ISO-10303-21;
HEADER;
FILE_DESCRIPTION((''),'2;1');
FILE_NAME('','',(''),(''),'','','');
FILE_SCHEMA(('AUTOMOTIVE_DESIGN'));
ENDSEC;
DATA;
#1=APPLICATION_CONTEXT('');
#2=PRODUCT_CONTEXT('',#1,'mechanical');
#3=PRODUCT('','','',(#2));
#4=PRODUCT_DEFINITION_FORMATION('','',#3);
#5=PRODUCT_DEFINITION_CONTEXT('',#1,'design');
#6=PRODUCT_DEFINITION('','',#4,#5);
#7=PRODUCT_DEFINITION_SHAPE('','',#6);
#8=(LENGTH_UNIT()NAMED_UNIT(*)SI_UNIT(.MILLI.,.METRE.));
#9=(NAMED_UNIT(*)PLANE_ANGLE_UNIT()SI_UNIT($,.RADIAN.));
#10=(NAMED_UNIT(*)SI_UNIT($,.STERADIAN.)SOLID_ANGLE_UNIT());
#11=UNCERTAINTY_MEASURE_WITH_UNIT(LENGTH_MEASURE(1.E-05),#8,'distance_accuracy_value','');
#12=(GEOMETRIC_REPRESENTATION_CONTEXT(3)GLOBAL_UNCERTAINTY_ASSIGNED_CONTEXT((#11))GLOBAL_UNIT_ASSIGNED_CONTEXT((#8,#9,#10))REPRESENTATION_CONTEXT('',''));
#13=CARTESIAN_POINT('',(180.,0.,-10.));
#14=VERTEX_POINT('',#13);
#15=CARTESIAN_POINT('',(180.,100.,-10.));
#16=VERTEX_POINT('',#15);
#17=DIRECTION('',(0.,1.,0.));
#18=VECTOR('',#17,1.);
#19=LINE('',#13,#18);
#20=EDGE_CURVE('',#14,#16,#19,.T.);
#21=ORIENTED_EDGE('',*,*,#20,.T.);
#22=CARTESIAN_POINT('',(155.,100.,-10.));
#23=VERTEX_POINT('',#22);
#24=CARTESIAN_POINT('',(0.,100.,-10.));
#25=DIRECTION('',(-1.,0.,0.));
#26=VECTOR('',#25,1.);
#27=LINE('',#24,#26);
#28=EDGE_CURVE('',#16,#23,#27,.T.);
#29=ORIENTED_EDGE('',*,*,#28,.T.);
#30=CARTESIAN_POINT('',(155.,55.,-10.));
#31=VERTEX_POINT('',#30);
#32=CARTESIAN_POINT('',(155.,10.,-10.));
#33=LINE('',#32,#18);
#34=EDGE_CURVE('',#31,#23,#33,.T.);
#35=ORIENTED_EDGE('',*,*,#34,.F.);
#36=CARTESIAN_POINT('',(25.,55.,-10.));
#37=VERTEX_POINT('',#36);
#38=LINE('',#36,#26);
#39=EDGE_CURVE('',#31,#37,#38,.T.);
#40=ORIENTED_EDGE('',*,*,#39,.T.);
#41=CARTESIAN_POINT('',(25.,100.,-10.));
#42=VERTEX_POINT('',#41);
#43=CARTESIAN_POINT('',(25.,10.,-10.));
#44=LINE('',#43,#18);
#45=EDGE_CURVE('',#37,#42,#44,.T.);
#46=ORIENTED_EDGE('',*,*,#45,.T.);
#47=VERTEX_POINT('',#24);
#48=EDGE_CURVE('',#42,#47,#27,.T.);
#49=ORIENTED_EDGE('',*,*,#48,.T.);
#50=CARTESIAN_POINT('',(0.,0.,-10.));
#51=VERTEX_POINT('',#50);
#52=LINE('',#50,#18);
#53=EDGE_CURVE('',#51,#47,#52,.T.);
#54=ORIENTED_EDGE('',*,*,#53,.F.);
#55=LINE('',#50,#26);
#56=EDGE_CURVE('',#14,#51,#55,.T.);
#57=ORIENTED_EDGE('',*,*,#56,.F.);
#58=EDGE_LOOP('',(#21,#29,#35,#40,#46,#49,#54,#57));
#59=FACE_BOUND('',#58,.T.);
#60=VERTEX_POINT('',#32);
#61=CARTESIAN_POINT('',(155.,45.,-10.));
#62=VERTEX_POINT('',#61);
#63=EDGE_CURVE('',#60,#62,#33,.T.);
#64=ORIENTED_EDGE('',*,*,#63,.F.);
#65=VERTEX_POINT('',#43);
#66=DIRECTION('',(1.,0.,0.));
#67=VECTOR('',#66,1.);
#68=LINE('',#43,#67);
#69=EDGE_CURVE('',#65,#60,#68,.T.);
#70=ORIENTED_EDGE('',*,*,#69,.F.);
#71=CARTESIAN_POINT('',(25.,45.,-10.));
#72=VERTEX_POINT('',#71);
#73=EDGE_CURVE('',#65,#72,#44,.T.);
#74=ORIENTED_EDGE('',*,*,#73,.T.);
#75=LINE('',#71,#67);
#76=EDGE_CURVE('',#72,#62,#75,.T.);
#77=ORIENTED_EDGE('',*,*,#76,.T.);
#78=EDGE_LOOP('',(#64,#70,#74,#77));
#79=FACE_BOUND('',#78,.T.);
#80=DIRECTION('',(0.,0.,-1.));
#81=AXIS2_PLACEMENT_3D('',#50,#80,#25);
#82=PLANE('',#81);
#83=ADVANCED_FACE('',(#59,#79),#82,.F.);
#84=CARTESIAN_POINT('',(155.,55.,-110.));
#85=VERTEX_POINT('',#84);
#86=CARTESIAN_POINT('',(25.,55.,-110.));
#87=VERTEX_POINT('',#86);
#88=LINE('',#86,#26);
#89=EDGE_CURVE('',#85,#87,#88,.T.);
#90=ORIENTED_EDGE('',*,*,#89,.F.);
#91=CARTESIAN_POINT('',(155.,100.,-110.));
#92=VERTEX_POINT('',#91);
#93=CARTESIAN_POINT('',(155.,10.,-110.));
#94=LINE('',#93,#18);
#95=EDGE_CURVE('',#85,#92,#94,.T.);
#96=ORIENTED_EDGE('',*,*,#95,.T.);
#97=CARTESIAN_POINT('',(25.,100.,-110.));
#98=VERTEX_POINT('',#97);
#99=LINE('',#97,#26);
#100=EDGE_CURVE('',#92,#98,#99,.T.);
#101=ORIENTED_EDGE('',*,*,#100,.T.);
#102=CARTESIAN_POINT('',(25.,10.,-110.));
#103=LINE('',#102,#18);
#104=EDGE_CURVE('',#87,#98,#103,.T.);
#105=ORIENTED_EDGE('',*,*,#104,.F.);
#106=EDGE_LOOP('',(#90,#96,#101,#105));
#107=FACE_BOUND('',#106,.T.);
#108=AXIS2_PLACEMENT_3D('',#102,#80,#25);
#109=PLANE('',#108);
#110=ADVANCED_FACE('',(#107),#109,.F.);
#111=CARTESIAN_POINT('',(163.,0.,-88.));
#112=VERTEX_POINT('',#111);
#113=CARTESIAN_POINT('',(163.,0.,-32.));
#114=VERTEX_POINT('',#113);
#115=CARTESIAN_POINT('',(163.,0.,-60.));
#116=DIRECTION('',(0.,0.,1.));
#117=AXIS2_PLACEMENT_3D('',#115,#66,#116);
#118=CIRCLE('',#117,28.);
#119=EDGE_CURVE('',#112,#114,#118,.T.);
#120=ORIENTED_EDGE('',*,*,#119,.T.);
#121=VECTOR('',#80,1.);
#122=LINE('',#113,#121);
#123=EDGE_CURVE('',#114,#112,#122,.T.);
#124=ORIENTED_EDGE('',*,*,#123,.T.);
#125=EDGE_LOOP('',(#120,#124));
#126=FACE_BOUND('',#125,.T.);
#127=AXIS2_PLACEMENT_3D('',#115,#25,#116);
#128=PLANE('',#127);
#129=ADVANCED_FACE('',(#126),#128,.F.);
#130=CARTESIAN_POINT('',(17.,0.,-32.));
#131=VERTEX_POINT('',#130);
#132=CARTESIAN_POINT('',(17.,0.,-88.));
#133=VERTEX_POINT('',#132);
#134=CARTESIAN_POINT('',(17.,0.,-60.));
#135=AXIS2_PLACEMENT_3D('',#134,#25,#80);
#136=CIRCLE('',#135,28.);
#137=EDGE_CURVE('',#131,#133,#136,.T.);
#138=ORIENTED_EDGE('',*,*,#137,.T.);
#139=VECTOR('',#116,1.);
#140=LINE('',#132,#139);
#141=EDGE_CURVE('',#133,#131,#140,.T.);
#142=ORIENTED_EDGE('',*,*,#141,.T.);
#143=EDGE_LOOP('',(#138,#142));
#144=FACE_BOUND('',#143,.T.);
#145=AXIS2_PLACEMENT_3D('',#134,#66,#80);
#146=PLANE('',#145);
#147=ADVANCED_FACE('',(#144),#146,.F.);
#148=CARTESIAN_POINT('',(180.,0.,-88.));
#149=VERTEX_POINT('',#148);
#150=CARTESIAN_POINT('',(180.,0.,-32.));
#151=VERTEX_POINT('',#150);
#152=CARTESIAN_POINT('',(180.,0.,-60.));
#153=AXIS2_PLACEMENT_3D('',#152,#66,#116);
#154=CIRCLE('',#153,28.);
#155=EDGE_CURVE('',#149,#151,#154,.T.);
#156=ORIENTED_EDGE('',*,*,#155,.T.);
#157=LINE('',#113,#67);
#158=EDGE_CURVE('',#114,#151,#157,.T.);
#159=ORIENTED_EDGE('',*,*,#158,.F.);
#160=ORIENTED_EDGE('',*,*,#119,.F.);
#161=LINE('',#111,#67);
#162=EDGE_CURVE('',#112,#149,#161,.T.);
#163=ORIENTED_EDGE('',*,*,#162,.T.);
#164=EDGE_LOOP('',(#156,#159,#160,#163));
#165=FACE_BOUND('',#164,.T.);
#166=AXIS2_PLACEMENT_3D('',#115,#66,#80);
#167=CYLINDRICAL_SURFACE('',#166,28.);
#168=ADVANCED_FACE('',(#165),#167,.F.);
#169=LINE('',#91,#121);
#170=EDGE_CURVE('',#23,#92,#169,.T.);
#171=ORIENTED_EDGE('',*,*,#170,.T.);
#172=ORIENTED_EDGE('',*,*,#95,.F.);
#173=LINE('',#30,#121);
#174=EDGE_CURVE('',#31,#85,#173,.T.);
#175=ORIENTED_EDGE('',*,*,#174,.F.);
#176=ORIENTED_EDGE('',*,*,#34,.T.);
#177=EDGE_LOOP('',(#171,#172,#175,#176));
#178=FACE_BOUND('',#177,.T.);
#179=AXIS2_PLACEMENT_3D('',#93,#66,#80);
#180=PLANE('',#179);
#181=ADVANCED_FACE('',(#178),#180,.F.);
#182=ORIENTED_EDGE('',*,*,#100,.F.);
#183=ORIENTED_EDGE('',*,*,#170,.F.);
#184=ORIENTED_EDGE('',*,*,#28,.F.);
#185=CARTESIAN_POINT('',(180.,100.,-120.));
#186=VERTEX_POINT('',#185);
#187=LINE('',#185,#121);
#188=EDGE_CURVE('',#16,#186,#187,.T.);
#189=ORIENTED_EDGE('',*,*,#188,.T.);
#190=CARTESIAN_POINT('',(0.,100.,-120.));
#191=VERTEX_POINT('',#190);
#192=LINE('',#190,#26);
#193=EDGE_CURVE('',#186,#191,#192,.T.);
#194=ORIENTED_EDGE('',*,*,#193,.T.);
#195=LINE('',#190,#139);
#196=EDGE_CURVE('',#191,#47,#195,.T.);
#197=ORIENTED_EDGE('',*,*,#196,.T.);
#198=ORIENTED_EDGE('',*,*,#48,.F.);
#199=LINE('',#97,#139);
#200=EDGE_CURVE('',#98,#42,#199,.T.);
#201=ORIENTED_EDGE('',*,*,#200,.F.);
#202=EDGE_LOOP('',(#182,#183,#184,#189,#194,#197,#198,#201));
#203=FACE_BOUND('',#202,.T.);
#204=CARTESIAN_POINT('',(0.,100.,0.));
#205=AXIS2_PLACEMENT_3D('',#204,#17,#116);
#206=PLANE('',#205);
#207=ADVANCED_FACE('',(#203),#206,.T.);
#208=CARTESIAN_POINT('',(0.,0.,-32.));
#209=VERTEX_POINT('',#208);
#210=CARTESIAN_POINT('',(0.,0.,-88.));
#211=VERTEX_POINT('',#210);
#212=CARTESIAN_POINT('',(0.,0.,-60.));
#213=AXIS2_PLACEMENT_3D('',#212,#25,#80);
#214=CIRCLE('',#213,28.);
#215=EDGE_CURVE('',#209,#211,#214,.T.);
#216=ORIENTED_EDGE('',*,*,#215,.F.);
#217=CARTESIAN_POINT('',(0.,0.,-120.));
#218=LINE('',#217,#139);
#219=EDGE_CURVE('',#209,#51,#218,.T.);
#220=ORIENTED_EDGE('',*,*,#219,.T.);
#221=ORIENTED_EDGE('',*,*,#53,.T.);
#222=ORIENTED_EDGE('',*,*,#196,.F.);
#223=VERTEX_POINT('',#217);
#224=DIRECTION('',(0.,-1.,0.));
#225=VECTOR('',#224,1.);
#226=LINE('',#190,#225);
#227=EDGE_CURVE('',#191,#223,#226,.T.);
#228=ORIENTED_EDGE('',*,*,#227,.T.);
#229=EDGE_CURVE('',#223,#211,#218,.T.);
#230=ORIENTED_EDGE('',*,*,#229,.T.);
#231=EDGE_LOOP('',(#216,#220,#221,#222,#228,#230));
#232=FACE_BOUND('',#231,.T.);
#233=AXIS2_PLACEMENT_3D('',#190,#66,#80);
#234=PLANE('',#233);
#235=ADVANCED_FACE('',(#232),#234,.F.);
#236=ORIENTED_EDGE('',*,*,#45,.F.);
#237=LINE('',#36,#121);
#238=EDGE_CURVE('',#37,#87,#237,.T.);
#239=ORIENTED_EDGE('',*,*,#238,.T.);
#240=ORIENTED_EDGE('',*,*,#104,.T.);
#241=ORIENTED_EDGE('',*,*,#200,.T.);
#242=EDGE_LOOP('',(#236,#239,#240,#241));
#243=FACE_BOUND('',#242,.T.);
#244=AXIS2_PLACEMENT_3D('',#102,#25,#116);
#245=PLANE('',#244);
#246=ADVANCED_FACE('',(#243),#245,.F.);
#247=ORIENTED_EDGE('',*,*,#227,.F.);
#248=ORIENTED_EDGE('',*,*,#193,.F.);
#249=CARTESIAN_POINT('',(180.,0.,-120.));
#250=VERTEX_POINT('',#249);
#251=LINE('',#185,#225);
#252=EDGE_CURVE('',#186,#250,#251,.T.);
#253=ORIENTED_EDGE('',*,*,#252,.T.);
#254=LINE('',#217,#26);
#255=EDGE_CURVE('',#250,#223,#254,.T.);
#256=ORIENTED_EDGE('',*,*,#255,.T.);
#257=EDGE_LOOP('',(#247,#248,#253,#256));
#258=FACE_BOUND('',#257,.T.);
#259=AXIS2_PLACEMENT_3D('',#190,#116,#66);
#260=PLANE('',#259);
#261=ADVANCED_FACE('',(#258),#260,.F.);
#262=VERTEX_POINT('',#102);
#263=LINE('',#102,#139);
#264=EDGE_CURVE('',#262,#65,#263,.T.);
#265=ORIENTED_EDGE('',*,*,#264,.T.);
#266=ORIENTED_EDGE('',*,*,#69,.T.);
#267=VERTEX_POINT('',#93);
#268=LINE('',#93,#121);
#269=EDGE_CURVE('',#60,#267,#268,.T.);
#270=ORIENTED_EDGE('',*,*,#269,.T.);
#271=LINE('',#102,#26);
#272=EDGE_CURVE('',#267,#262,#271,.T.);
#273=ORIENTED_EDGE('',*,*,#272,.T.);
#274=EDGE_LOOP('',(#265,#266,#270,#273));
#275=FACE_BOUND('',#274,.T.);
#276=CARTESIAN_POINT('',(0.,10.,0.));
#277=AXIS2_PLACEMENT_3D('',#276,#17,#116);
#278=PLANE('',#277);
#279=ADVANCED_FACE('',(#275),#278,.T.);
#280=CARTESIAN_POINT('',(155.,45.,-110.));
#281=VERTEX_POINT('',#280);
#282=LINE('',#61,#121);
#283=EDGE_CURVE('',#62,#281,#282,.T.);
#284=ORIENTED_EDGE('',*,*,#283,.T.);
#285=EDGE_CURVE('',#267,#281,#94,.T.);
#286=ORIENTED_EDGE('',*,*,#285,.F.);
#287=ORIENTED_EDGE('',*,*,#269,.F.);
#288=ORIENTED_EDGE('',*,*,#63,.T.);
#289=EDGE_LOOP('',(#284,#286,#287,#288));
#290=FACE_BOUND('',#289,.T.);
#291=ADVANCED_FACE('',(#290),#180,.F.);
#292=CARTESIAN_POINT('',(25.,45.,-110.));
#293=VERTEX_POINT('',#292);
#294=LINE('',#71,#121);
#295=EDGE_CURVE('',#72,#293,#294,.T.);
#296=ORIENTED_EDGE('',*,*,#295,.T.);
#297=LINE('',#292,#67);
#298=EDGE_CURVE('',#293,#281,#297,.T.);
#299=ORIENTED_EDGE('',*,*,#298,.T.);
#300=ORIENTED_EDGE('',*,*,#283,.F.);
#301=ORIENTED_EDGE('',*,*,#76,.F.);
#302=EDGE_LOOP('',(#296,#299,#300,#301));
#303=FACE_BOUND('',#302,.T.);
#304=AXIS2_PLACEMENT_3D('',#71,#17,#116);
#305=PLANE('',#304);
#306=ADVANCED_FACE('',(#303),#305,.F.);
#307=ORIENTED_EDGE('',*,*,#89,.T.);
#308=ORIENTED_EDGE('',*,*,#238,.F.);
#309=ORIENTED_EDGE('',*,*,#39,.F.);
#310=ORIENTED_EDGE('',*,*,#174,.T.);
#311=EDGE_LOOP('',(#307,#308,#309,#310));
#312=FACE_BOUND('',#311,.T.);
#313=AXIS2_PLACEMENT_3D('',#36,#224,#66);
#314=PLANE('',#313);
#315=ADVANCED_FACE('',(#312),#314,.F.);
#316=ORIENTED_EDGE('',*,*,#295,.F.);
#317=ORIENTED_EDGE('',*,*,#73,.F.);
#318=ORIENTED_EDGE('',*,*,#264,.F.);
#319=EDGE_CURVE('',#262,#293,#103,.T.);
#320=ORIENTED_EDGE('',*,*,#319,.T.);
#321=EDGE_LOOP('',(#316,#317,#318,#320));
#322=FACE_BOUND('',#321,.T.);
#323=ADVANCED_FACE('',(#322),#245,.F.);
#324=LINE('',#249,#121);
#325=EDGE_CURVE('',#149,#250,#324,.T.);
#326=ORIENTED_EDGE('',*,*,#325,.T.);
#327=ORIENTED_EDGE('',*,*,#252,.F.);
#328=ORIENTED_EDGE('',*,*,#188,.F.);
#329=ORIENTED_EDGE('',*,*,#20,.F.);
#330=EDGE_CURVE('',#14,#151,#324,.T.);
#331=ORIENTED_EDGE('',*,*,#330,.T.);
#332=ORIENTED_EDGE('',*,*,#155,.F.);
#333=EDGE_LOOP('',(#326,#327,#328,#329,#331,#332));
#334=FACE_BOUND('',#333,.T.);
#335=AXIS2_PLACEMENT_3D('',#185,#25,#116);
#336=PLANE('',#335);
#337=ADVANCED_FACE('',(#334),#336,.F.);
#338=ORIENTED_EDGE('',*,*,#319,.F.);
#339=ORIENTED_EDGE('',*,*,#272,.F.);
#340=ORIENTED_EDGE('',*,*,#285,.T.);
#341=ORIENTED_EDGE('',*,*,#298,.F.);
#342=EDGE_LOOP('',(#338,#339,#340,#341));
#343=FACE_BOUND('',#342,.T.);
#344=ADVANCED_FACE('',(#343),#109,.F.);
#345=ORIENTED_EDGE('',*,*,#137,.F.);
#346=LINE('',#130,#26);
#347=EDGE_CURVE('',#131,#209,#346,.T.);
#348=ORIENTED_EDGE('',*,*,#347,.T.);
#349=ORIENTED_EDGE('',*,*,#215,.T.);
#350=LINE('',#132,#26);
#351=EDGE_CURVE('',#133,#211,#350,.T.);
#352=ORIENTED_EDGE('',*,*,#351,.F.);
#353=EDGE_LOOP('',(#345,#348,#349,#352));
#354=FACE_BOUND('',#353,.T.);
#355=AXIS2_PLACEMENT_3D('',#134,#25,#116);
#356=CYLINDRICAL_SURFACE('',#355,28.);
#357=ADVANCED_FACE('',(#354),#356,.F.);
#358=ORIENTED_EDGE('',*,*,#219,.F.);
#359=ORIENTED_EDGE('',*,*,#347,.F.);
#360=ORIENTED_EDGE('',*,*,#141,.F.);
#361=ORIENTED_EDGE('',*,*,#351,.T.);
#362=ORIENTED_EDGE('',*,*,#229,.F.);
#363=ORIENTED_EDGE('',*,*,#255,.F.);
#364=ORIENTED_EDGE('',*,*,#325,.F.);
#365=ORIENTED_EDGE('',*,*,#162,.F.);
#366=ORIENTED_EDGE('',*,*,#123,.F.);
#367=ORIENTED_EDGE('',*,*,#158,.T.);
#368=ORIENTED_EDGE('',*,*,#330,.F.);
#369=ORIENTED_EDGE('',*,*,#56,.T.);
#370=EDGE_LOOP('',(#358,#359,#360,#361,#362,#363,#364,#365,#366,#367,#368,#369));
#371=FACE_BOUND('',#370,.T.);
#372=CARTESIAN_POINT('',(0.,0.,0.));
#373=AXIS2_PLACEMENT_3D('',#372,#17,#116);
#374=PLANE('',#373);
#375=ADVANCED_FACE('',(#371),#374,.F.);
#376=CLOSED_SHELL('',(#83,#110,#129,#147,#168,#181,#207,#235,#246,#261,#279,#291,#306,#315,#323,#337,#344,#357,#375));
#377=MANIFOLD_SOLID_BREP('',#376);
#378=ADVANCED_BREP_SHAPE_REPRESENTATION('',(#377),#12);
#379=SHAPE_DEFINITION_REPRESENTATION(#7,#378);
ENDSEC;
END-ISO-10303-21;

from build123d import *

# Parameters (mm, degrees)
SKETCH1_W           = 180
SKETCH1_H           = 120
BOSS_EXTRUDE1_DEPTH = 100
SKETCH2_W           = 130
SKETCH2_H           = 100
CUT_EXTRUDE1_DEPTH  = 90
CUT_EXTRUDE2_DEPTH  = 17
CUT_EXTRUDE3_DEPTH  = 17
CUT_EXTRUDE4_START  = -100
SKETCH6_W           = 180
SKETCH6_H           = 10
CUT_EXTRUDE4_DEPTH  = 100
SKETCH7_W           = 130
SKETCH7_H           = 10
BOSS_EXTRUDE2_DEPTH = 100


with BuildPart() as part:
    # Sketch1 → Boss-Extrude1 (new body)
    with BuildSketch(Plane(origin=(0, 0, 0), x_dir=(1, 0, 0), z_dir=(0, 1, 0))):
        with Locations((90, 60)):
            Rectangle(SKETCH1_W, SKETCH1_H)
    extrude(amount=BOSS_EXTRUDE1_DEPTH)

    # Sketch2 → Cut-Extrude1 (cut)
    with BuildSketch(Plane(origin=(0, 100, 0), x_dir=(1, 0, 0), z_dir=(0, 1, 0))):
        with Locations((90, 60)):
            Rectangle(SKETCH2_W, SKETCH2_H)
    extrude(amount=-CUT_EXTRUDE1_DEPTH, mode=Mode.SUBTRACT)

    # Sketch3 → Cut-Extrude2 (cut)
    with BuildSketch(Plane(origin=(180, 0, 0), x_dir=(0, 0, -1), z_dir=(1, 0, 0))):
        with BuildLine():
            Line((32, 0), (88, 0))
            ThreePointArc((88, 0), (60, 28), (32, 0))
        make_face()
    extrude(amount=-CUT_EXTRUDE2_DEPTH, mode=Mode.SUBTRACT)

    # Sketch5 → Cut-Extrude3 (cut)
    with BuildSketch(Plane.ZY):
        with BuildLine():
            Line((-88, 0), (-32, 0))
            ThreePointArc((-32, 0), (-60, 28), (-88, 0))
        make_face()
    extrude(amount=-CUT_EXTRUDE3_DEPTH, mode=Mode.SUBTRACT)

    # Sketch6 → Cut-Extrude4 (cut)
    with BuildSketch(Plane(origin=(0, 100, 0), x_dir=(1, 0, 0), z_dir=(0, 1, 0)).offset(CUT_EXTRUDE4_START)):
        with Locations((90, 5)):
            Rectangle(SKETCH6_W, SKETCH6_H)
    extrude(amount=CUT_EXTRUDE4_DEPTH, mode=Mode.SUBTRACT)

    # Sketch7 → Boss-Extrude2 (add)
    with BuildSketch(Plane.XY.offset(-110)):
        with Locations((90, 50)):
            Rectangle(SKETCH7_W, SKETCH7_H)
    extrude(amount=BOSS_EXTRUDE2_DEPTH)


solid = part.part
